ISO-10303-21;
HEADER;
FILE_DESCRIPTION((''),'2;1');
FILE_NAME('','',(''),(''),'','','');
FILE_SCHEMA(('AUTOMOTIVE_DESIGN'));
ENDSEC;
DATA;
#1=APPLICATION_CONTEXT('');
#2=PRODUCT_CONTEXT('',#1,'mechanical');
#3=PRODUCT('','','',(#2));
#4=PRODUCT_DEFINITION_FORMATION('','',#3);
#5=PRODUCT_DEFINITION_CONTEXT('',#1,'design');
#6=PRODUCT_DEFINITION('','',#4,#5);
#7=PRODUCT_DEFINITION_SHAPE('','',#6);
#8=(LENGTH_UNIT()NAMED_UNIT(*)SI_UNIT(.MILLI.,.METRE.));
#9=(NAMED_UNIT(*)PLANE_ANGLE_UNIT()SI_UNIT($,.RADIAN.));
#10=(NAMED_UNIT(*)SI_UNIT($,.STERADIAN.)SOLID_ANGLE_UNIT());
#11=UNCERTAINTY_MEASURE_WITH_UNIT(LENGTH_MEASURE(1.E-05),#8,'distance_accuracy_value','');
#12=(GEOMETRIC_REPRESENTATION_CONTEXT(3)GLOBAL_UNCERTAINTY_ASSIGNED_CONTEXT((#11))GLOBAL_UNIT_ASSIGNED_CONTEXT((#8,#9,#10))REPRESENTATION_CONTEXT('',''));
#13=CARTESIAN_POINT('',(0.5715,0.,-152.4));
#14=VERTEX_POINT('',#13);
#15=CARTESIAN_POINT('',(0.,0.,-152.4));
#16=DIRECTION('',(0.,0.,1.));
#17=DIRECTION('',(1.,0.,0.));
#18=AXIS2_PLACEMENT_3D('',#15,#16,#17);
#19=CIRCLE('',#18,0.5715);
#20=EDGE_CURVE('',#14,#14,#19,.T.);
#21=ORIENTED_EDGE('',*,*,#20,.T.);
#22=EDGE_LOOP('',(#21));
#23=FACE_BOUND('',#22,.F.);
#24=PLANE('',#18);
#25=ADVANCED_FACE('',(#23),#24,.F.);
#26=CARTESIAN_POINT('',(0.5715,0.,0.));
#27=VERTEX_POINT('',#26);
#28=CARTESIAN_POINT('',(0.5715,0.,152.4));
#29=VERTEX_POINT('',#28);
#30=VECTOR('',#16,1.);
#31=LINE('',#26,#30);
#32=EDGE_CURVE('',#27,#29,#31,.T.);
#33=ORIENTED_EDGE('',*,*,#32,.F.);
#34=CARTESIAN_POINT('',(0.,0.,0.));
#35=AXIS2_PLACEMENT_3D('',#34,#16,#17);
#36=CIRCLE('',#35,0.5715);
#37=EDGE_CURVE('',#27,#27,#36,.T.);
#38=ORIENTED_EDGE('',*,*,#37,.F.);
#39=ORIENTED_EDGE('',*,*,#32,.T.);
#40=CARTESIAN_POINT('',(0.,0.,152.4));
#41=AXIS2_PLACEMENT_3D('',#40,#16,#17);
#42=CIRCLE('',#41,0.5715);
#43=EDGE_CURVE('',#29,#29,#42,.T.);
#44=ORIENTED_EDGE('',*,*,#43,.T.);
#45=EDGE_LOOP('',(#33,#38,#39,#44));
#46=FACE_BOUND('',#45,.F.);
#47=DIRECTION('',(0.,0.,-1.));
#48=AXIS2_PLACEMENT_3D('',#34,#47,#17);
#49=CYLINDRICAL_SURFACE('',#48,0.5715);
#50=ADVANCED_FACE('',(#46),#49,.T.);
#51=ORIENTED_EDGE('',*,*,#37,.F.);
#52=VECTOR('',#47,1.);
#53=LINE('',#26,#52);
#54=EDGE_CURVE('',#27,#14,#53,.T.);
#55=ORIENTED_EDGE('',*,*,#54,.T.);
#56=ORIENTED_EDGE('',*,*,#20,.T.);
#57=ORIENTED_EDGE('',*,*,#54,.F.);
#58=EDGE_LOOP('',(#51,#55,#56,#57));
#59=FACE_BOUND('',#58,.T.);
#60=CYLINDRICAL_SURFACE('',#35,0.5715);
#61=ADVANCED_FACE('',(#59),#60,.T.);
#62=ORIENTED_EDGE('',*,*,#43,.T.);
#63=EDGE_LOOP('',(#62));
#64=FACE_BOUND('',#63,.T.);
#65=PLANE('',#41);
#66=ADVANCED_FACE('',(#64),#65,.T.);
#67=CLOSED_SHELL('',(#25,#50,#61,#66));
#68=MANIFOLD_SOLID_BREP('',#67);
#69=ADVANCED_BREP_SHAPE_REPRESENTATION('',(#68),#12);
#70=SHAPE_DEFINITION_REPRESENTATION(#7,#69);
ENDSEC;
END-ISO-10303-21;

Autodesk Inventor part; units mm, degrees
ref_plane "YZ Plane" through (0, 0, 0) normal (1, 0, 0) x (0, 1, 0)
ref_plane "XZ Plane" through (0, 0, 0) normal (0, 1, 0) x (-1, 0, 0)
ref_plane "XY Plane" through (0, 0, 0) normal (0, 0, 1) x (1, 0, 0)
sketch "Sketch1" plane through (0, 0, 0) normal (0, 0, 1) x (1, 0, 0)
  circle A0 centre (0, 0) radius 0.5715
  dimension "d0" = 1.143
extrude "Extrusion1" add sketch "Sketch1" along normal mid plane 304.8
properties part number "8907K48 045 Phosphate Rod" material "Steel, Carbon"
